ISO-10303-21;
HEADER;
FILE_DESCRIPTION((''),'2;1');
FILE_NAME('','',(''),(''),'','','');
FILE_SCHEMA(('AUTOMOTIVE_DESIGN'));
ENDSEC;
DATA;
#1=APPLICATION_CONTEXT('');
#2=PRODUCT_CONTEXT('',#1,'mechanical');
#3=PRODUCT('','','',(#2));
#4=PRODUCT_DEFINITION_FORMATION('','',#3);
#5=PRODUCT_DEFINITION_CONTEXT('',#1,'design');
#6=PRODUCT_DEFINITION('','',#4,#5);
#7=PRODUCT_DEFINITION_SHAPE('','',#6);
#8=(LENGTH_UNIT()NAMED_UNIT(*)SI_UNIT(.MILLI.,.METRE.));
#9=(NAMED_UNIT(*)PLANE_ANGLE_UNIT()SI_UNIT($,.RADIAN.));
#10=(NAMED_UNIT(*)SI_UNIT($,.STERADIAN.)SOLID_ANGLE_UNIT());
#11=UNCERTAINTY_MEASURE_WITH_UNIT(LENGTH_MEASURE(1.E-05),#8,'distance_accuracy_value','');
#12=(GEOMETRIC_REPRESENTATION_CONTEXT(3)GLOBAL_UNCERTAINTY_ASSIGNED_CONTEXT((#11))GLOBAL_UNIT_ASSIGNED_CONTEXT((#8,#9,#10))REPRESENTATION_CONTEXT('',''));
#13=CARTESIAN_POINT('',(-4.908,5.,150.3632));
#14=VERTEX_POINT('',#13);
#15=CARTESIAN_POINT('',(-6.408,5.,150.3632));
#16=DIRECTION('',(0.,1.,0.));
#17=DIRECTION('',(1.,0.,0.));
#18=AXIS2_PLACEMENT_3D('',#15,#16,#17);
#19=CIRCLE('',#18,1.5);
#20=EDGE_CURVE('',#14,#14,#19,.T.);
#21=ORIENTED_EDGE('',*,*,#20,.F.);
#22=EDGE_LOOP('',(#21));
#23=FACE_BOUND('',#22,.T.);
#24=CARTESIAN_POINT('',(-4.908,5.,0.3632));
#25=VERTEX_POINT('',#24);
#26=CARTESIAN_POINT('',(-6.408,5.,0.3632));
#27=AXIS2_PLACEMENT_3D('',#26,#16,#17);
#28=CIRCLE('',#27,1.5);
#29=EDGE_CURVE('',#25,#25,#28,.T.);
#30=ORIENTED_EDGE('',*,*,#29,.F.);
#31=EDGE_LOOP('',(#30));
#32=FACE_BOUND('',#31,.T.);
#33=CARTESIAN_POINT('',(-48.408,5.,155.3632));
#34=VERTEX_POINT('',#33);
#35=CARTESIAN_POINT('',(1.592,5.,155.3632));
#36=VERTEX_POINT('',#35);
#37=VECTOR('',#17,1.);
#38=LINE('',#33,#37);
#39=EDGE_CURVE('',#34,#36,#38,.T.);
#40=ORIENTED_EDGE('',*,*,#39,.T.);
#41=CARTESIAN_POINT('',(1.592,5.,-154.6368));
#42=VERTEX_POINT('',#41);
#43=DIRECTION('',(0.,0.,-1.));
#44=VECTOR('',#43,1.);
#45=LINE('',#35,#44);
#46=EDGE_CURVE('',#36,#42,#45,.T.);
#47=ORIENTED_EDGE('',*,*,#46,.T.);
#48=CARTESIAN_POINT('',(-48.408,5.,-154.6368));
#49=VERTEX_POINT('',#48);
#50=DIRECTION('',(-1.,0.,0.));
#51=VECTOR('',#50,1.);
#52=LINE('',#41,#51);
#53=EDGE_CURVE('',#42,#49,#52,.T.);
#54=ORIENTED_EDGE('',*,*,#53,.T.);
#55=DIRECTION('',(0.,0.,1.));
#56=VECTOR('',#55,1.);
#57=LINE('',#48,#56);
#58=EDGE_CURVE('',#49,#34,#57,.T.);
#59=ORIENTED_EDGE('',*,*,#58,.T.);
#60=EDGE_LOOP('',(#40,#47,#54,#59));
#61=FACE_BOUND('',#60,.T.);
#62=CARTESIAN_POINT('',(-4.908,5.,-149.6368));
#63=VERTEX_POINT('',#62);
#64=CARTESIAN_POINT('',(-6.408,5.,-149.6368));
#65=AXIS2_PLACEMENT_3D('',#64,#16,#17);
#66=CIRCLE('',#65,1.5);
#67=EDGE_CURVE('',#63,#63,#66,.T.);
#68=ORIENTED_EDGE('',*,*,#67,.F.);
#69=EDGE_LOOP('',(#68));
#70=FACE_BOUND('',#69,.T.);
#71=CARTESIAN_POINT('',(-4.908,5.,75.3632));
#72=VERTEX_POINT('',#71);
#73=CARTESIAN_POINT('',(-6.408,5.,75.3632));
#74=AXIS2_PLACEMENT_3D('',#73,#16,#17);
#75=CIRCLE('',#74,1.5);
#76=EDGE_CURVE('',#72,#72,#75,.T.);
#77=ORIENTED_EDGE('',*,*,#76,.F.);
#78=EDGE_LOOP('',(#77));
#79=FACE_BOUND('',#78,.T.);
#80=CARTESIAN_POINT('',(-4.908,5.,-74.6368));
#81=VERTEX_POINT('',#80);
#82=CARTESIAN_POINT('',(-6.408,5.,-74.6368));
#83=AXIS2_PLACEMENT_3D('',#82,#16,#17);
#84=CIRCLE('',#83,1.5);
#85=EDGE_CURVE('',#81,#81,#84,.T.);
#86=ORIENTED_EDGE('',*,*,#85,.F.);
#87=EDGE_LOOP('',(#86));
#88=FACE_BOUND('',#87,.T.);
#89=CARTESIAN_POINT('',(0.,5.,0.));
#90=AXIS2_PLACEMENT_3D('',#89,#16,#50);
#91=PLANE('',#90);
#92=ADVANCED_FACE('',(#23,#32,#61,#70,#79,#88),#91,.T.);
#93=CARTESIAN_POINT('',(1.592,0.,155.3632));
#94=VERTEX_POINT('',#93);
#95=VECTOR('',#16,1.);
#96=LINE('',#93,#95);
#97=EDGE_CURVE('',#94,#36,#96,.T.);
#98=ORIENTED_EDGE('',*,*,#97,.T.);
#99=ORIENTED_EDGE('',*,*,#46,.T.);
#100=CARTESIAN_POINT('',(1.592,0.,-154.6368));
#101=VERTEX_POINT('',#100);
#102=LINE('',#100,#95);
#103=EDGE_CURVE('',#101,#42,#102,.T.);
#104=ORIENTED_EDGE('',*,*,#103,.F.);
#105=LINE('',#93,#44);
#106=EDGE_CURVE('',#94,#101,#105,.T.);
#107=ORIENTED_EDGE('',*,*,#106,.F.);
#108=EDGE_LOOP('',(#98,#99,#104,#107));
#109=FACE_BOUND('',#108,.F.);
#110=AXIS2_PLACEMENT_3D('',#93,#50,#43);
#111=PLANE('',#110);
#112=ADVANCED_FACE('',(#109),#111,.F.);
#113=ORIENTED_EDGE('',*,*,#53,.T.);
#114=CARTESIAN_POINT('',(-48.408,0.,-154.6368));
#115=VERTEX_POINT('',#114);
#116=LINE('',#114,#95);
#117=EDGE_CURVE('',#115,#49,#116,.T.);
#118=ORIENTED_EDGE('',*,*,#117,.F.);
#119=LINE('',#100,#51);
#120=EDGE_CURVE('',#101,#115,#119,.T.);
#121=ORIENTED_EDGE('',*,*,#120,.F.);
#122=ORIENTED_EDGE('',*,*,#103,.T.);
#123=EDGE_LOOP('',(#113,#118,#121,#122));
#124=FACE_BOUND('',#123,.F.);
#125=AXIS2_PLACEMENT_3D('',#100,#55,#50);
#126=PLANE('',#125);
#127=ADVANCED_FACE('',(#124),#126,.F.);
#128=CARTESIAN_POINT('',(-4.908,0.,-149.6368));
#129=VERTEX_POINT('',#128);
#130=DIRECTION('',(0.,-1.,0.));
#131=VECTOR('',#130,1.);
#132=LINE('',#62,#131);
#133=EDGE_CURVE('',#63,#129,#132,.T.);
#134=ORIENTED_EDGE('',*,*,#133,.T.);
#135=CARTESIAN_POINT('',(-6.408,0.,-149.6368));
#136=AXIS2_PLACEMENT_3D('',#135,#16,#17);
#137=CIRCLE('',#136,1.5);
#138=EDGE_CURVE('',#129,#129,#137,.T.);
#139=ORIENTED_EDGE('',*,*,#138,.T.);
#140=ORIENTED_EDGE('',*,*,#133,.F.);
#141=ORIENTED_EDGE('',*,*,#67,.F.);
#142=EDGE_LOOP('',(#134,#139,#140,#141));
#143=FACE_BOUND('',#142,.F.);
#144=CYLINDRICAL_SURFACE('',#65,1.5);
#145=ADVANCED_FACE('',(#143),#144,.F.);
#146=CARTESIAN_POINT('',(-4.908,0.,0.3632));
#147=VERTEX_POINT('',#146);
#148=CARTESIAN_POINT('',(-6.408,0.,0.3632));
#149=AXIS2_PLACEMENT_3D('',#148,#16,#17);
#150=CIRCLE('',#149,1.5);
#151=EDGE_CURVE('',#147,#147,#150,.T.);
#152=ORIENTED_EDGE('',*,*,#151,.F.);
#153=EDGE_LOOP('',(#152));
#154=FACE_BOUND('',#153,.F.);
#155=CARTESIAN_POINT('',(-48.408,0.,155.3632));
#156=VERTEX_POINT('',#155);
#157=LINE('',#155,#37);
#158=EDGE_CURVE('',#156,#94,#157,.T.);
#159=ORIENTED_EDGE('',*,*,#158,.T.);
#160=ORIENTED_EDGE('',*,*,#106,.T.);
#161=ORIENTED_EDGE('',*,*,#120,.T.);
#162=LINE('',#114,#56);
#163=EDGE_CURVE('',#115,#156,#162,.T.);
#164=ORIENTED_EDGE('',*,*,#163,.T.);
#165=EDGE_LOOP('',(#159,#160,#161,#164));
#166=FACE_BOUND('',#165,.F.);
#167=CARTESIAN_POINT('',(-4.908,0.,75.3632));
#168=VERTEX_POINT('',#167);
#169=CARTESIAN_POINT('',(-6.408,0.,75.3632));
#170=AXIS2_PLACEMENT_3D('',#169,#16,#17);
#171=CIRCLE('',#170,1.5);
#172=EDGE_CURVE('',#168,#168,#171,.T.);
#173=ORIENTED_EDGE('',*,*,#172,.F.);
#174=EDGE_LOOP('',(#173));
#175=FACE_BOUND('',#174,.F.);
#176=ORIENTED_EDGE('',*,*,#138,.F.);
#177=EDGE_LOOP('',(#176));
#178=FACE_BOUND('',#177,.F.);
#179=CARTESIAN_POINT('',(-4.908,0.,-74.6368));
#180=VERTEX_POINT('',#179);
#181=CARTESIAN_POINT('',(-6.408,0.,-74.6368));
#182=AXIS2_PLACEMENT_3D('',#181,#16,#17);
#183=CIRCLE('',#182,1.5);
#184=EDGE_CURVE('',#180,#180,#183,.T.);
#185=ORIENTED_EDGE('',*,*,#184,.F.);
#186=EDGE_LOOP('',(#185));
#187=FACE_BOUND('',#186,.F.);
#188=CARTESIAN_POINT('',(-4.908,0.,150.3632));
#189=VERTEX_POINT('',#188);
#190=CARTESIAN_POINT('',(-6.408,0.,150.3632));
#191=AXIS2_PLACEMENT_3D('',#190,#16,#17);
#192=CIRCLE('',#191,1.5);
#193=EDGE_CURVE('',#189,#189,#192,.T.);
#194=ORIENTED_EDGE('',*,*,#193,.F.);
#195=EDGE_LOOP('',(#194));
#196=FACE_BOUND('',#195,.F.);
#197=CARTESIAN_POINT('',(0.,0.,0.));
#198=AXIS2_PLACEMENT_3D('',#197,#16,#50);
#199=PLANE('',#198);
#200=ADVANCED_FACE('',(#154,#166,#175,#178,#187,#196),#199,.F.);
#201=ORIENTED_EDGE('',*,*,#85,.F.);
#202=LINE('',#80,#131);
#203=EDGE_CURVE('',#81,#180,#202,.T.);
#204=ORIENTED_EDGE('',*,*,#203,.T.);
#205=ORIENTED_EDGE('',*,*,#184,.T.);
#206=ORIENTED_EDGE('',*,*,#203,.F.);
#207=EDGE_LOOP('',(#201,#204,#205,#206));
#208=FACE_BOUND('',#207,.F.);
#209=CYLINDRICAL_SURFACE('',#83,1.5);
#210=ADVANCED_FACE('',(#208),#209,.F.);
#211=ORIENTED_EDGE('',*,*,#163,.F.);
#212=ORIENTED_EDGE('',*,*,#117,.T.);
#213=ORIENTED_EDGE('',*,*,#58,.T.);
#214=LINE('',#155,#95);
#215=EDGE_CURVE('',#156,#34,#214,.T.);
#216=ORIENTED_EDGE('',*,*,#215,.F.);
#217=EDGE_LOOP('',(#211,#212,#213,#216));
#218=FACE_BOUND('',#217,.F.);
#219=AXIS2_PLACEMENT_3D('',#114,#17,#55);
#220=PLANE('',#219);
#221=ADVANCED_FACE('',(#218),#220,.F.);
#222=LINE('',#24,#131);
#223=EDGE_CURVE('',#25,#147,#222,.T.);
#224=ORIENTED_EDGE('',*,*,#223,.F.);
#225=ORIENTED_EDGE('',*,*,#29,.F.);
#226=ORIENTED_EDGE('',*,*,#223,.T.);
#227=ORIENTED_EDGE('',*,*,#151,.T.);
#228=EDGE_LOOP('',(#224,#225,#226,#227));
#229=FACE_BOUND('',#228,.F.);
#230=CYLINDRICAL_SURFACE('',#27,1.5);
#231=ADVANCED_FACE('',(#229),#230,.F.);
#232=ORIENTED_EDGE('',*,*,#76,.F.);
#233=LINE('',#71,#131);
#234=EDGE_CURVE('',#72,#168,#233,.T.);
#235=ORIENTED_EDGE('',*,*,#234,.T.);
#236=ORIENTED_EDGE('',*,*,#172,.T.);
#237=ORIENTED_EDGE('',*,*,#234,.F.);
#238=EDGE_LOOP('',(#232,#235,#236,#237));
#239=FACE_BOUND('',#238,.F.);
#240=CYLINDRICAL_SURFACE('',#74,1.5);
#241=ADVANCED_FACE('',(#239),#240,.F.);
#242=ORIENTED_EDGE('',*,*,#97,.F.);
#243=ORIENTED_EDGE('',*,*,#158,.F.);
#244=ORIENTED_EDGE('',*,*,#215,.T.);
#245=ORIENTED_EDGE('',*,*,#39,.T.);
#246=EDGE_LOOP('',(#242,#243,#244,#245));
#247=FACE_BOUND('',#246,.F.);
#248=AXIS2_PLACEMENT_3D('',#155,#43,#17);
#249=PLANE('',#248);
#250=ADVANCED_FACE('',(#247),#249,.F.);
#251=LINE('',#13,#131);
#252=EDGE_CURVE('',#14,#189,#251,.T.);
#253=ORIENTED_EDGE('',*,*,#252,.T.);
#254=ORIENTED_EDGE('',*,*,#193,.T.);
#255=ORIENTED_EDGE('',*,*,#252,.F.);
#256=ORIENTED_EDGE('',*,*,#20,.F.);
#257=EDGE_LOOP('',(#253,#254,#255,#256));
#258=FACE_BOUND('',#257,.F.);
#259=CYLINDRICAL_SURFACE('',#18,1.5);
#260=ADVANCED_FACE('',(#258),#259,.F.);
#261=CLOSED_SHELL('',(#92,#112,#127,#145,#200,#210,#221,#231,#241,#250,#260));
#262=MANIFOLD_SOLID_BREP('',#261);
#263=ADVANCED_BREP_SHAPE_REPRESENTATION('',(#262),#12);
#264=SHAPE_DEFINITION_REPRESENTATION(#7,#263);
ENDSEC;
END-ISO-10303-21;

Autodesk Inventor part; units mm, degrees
ref_plane "YZ Plane" through (0, 0, 0) normal (1, 0, 0) x (0, 1, 0)
ref_plane "XZ Plane" through (0, 0, 0) normal (0, 1, 0) x (-1, 0, 0)
ref_plane "XY Plane" through (0, 0, 0) normal (0, 0, 1) x (1, 0, 0)
sketch "Esquisse1" plane through (0, 0, 0) normal (0, 1, 0) x (-1, 0, 0)
  line L0 (48.408, 155.3632) -> (-1.592, 155.3632)
  line L1 (-1.592, 155.3632) -> (-1.592, -154.6368)
  line L2 (-1.592, -154.6368) -> (48.408, -154.6368)
  line L3 (48.408, -154.6368) -> (48.408, 155.3632)
  point P0 (0, 0)
  dimension "d0" = 310
  dimension "d1" = 50
extrude "Extrusion1" add sketch "Esquisse1" along normal blind 5
sketch "Esquisse2" plane through (0, 5, 0) normal (0, 1, 0) x (1, 0, 0)
  circle A0 centre (-6.408, -75.3632) radius 1.5
  circle A1 centre (-6.408, -0.3632) radius 1.5
  circle A2 centre (-6.408, 74.6368) radius 1.5
  line L0 (1.592, -155.3632) -> (1.592, 154.6368) projected
  line L1 (-48.408, -155.3632) -> (1.592, -155.3632) projected
  circle A3 centre (-6.408, -150.3632) radius 1.5
  circle A4 centre (-6.408, 149.6368) radius 1.5
  point P0 (0, 0)
  dimension "d5" = 3
  dimension "d6" = 3
  dimension "d8" = 3
  dimension "d10" = 8
  dimension "d11" = 8
  dimension "d13" = 8
  dimension "d14" = 155
  dimension "d15" = 75
  dimension "d16" = 75
  dimension "d17" = 3
  dimension "d18" = 8
  dimension "d19" = 75
  dimension "d20" = 3
  dimension "d21" = 8
  dimension "d22" = 75
extrude "Extrusion2" cut sketch "Esquisse2" against normal through all
properties part number "support-pinces"
